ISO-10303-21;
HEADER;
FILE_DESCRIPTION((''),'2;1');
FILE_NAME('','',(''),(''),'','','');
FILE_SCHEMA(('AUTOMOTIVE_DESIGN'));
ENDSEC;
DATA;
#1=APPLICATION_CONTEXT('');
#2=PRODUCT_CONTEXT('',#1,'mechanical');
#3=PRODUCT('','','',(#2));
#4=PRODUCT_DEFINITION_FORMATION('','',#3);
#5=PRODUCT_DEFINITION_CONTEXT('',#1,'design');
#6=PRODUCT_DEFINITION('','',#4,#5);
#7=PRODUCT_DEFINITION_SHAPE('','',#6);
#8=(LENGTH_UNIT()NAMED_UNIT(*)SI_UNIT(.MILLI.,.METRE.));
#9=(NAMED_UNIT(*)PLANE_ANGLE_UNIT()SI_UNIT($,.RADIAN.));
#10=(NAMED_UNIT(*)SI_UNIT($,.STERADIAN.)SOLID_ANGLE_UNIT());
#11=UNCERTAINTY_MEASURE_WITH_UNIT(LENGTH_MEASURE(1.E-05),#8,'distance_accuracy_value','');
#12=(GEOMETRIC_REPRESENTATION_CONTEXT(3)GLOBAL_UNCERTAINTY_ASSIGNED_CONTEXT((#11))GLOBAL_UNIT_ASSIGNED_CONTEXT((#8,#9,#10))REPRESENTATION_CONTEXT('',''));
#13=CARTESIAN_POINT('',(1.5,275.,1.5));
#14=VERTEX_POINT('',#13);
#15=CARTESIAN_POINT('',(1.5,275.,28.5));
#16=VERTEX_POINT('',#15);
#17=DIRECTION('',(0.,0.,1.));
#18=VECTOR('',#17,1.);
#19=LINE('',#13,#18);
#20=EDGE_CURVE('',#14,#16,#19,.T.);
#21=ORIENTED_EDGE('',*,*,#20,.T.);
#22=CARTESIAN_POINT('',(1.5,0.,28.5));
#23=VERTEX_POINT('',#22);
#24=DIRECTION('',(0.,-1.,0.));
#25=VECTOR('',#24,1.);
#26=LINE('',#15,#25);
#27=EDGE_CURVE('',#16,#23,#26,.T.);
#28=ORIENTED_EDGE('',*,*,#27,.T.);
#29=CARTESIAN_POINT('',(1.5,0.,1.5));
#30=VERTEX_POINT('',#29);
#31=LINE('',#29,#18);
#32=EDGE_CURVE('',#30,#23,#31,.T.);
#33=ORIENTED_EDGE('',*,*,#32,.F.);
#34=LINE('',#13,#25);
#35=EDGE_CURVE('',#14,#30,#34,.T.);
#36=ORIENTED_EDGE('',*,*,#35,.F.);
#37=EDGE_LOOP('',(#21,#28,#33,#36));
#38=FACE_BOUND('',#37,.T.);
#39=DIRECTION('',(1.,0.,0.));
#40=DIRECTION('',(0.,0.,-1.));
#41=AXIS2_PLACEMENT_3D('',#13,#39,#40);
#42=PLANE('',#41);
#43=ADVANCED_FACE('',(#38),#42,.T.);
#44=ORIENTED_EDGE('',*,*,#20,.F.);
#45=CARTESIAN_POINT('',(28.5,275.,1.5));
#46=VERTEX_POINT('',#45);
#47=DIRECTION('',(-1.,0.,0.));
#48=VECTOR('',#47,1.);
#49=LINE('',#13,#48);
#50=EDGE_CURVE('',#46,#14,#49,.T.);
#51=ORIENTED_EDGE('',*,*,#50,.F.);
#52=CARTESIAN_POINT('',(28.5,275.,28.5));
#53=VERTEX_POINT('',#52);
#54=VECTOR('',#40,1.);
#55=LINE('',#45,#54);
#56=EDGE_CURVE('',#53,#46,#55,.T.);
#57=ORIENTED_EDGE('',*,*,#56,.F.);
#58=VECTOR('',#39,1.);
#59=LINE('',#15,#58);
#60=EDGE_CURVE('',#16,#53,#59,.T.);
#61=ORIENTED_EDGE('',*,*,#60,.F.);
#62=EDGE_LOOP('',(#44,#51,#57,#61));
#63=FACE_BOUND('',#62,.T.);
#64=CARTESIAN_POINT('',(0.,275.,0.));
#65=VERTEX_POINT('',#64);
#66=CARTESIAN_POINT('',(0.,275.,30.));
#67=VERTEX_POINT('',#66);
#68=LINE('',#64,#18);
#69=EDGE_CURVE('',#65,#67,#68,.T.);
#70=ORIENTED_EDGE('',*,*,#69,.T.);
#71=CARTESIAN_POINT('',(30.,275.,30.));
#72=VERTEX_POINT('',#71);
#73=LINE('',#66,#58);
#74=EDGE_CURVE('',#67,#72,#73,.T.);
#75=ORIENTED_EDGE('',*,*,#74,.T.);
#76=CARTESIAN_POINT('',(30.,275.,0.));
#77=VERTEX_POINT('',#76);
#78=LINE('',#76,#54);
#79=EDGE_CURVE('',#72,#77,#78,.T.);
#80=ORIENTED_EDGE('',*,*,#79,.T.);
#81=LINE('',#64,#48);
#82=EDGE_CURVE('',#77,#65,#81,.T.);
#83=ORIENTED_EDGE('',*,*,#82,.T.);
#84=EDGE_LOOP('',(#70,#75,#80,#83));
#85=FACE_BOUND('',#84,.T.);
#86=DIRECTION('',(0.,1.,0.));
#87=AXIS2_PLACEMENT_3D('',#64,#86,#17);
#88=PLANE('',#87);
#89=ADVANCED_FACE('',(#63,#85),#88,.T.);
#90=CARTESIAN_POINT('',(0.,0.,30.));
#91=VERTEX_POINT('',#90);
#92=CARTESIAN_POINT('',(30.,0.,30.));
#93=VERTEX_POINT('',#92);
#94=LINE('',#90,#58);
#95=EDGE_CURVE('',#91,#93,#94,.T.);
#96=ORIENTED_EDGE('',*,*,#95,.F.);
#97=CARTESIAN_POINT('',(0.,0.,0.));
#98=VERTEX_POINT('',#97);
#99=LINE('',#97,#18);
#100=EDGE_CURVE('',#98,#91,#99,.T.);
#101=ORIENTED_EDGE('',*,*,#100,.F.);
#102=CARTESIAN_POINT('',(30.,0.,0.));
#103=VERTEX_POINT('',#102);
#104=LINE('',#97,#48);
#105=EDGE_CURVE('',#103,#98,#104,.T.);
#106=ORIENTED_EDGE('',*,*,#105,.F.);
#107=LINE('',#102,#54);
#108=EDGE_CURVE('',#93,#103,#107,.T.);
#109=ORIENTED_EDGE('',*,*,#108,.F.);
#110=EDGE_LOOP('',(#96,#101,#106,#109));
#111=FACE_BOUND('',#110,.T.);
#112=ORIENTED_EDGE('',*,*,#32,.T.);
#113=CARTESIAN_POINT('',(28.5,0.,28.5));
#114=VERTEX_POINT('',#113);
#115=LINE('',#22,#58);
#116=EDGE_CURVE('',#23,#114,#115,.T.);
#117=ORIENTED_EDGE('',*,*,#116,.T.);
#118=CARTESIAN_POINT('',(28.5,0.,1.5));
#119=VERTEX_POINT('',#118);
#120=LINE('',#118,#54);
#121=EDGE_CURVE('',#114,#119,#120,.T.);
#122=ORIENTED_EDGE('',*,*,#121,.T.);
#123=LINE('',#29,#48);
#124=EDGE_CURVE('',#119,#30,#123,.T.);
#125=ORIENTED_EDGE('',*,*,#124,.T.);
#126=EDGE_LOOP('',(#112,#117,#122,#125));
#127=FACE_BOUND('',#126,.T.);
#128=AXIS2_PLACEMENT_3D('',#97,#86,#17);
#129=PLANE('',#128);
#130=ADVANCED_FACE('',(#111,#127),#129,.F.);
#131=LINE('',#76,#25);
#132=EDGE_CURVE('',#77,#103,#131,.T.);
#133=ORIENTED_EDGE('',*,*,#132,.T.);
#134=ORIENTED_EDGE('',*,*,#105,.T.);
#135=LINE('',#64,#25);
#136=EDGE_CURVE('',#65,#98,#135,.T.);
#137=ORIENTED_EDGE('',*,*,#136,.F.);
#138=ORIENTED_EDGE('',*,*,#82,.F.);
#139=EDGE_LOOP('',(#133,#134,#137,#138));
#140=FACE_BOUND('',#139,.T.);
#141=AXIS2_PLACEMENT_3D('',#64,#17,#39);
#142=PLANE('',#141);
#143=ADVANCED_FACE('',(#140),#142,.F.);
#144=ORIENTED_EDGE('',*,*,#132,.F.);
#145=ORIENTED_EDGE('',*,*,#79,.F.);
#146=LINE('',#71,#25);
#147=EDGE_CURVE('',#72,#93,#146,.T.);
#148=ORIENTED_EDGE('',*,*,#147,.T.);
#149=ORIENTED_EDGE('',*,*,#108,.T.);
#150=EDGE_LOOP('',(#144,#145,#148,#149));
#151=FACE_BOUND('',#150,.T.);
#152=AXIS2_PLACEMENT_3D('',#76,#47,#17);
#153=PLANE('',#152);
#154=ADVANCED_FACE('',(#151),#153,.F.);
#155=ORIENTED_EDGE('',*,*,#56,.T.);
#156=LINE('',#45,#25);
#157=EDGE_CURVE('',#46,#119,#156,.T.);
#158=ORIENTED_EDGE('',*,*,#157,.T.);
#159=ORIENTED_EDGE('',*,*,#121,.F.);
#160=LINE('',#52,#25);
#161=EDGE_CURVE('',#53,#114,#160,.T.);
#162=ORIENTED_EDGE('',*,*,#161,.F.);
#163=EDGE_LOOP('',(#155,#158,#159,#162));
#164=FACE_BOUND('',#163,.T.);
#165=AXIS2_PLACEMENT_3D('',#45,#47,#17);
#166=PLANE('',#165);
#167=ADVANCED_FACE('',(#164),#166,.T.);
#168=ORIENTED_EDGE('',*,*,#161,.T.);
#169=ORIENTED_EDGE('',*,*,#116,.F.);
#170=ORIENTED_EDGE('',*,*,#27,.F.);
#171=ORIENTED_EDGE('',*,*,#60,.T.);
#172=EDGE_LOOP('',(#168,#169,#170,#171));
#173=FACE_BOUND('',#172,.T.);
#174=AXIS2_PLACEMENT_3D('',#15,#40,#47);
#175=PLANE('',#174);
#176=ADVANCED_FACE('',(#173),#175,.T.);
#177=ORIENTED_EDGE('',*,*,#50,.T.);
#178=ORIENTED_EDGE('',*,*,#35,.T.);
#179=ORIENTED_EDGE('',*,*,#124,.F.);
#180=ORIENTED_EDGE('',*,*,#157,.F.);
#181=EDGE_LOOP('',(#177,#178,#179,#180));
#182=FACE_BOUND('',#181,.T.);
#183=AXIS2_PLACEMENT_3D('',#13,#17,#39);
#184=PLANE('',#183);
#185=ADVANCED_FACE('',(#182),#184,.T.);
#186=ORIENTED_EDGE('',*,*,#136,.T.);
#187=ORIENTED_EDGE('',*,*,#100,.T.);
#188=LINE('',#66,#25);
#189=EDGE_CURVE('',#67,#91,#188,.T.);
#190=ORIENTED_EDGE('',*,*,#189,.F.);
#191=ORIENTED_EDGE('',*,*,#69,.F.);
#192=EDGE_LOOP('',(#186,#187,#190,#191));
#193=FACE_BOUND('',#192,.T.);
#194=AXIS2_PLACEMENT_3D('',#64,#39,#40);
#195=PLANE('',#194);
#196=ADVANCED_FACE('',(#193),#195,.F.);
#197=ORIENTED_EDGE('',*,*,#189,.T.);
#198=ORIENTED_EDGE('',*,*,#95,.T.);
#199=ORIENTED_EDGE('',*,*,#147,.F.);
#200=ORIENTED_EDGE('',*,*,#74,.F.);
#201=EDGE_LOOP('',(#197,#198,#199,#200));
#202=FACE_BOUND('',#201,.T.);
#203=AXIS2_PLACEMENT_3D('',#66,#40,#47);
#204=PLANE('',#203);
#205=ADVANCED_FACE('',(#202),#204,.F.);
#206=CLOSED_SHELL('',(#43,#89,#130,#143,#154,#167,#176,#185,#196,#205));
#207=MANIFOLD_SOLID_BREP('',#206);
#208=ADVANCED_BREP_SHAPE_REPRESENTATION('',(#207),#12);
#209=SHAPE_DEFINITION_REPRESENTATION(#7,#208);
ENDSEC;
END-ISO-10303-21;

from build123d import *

# Parameters (mm, degrees)
SKETCH1_W           = 30
SKETCH1_H           = 30
SKETCH1_W_2         = 27
SKETCH1_H_2         = 27
BOSS_EXTRUDE1_DEPTH = 275


with BuildPart() as part:
    # Sketch1 → Boss-Extrude1 (new body)
    with BuildSketch(Plane(origin=(0, 0, 0), x_dir=(1, 0, 0), z_dir=(0, 1, 0))):
        with Locations((15, -15)):
            Rectangle(SKETCH1_W, SKETCH1_H)
        with Locations((15, -15)):
            Rectangle(SKETCH1_W_2, SKETCH1_H_2, mode=Mode.SUBTRACT)
    extrude(amount=BOSS_EXTRUDE1_DEPTH)


solid = part.part
